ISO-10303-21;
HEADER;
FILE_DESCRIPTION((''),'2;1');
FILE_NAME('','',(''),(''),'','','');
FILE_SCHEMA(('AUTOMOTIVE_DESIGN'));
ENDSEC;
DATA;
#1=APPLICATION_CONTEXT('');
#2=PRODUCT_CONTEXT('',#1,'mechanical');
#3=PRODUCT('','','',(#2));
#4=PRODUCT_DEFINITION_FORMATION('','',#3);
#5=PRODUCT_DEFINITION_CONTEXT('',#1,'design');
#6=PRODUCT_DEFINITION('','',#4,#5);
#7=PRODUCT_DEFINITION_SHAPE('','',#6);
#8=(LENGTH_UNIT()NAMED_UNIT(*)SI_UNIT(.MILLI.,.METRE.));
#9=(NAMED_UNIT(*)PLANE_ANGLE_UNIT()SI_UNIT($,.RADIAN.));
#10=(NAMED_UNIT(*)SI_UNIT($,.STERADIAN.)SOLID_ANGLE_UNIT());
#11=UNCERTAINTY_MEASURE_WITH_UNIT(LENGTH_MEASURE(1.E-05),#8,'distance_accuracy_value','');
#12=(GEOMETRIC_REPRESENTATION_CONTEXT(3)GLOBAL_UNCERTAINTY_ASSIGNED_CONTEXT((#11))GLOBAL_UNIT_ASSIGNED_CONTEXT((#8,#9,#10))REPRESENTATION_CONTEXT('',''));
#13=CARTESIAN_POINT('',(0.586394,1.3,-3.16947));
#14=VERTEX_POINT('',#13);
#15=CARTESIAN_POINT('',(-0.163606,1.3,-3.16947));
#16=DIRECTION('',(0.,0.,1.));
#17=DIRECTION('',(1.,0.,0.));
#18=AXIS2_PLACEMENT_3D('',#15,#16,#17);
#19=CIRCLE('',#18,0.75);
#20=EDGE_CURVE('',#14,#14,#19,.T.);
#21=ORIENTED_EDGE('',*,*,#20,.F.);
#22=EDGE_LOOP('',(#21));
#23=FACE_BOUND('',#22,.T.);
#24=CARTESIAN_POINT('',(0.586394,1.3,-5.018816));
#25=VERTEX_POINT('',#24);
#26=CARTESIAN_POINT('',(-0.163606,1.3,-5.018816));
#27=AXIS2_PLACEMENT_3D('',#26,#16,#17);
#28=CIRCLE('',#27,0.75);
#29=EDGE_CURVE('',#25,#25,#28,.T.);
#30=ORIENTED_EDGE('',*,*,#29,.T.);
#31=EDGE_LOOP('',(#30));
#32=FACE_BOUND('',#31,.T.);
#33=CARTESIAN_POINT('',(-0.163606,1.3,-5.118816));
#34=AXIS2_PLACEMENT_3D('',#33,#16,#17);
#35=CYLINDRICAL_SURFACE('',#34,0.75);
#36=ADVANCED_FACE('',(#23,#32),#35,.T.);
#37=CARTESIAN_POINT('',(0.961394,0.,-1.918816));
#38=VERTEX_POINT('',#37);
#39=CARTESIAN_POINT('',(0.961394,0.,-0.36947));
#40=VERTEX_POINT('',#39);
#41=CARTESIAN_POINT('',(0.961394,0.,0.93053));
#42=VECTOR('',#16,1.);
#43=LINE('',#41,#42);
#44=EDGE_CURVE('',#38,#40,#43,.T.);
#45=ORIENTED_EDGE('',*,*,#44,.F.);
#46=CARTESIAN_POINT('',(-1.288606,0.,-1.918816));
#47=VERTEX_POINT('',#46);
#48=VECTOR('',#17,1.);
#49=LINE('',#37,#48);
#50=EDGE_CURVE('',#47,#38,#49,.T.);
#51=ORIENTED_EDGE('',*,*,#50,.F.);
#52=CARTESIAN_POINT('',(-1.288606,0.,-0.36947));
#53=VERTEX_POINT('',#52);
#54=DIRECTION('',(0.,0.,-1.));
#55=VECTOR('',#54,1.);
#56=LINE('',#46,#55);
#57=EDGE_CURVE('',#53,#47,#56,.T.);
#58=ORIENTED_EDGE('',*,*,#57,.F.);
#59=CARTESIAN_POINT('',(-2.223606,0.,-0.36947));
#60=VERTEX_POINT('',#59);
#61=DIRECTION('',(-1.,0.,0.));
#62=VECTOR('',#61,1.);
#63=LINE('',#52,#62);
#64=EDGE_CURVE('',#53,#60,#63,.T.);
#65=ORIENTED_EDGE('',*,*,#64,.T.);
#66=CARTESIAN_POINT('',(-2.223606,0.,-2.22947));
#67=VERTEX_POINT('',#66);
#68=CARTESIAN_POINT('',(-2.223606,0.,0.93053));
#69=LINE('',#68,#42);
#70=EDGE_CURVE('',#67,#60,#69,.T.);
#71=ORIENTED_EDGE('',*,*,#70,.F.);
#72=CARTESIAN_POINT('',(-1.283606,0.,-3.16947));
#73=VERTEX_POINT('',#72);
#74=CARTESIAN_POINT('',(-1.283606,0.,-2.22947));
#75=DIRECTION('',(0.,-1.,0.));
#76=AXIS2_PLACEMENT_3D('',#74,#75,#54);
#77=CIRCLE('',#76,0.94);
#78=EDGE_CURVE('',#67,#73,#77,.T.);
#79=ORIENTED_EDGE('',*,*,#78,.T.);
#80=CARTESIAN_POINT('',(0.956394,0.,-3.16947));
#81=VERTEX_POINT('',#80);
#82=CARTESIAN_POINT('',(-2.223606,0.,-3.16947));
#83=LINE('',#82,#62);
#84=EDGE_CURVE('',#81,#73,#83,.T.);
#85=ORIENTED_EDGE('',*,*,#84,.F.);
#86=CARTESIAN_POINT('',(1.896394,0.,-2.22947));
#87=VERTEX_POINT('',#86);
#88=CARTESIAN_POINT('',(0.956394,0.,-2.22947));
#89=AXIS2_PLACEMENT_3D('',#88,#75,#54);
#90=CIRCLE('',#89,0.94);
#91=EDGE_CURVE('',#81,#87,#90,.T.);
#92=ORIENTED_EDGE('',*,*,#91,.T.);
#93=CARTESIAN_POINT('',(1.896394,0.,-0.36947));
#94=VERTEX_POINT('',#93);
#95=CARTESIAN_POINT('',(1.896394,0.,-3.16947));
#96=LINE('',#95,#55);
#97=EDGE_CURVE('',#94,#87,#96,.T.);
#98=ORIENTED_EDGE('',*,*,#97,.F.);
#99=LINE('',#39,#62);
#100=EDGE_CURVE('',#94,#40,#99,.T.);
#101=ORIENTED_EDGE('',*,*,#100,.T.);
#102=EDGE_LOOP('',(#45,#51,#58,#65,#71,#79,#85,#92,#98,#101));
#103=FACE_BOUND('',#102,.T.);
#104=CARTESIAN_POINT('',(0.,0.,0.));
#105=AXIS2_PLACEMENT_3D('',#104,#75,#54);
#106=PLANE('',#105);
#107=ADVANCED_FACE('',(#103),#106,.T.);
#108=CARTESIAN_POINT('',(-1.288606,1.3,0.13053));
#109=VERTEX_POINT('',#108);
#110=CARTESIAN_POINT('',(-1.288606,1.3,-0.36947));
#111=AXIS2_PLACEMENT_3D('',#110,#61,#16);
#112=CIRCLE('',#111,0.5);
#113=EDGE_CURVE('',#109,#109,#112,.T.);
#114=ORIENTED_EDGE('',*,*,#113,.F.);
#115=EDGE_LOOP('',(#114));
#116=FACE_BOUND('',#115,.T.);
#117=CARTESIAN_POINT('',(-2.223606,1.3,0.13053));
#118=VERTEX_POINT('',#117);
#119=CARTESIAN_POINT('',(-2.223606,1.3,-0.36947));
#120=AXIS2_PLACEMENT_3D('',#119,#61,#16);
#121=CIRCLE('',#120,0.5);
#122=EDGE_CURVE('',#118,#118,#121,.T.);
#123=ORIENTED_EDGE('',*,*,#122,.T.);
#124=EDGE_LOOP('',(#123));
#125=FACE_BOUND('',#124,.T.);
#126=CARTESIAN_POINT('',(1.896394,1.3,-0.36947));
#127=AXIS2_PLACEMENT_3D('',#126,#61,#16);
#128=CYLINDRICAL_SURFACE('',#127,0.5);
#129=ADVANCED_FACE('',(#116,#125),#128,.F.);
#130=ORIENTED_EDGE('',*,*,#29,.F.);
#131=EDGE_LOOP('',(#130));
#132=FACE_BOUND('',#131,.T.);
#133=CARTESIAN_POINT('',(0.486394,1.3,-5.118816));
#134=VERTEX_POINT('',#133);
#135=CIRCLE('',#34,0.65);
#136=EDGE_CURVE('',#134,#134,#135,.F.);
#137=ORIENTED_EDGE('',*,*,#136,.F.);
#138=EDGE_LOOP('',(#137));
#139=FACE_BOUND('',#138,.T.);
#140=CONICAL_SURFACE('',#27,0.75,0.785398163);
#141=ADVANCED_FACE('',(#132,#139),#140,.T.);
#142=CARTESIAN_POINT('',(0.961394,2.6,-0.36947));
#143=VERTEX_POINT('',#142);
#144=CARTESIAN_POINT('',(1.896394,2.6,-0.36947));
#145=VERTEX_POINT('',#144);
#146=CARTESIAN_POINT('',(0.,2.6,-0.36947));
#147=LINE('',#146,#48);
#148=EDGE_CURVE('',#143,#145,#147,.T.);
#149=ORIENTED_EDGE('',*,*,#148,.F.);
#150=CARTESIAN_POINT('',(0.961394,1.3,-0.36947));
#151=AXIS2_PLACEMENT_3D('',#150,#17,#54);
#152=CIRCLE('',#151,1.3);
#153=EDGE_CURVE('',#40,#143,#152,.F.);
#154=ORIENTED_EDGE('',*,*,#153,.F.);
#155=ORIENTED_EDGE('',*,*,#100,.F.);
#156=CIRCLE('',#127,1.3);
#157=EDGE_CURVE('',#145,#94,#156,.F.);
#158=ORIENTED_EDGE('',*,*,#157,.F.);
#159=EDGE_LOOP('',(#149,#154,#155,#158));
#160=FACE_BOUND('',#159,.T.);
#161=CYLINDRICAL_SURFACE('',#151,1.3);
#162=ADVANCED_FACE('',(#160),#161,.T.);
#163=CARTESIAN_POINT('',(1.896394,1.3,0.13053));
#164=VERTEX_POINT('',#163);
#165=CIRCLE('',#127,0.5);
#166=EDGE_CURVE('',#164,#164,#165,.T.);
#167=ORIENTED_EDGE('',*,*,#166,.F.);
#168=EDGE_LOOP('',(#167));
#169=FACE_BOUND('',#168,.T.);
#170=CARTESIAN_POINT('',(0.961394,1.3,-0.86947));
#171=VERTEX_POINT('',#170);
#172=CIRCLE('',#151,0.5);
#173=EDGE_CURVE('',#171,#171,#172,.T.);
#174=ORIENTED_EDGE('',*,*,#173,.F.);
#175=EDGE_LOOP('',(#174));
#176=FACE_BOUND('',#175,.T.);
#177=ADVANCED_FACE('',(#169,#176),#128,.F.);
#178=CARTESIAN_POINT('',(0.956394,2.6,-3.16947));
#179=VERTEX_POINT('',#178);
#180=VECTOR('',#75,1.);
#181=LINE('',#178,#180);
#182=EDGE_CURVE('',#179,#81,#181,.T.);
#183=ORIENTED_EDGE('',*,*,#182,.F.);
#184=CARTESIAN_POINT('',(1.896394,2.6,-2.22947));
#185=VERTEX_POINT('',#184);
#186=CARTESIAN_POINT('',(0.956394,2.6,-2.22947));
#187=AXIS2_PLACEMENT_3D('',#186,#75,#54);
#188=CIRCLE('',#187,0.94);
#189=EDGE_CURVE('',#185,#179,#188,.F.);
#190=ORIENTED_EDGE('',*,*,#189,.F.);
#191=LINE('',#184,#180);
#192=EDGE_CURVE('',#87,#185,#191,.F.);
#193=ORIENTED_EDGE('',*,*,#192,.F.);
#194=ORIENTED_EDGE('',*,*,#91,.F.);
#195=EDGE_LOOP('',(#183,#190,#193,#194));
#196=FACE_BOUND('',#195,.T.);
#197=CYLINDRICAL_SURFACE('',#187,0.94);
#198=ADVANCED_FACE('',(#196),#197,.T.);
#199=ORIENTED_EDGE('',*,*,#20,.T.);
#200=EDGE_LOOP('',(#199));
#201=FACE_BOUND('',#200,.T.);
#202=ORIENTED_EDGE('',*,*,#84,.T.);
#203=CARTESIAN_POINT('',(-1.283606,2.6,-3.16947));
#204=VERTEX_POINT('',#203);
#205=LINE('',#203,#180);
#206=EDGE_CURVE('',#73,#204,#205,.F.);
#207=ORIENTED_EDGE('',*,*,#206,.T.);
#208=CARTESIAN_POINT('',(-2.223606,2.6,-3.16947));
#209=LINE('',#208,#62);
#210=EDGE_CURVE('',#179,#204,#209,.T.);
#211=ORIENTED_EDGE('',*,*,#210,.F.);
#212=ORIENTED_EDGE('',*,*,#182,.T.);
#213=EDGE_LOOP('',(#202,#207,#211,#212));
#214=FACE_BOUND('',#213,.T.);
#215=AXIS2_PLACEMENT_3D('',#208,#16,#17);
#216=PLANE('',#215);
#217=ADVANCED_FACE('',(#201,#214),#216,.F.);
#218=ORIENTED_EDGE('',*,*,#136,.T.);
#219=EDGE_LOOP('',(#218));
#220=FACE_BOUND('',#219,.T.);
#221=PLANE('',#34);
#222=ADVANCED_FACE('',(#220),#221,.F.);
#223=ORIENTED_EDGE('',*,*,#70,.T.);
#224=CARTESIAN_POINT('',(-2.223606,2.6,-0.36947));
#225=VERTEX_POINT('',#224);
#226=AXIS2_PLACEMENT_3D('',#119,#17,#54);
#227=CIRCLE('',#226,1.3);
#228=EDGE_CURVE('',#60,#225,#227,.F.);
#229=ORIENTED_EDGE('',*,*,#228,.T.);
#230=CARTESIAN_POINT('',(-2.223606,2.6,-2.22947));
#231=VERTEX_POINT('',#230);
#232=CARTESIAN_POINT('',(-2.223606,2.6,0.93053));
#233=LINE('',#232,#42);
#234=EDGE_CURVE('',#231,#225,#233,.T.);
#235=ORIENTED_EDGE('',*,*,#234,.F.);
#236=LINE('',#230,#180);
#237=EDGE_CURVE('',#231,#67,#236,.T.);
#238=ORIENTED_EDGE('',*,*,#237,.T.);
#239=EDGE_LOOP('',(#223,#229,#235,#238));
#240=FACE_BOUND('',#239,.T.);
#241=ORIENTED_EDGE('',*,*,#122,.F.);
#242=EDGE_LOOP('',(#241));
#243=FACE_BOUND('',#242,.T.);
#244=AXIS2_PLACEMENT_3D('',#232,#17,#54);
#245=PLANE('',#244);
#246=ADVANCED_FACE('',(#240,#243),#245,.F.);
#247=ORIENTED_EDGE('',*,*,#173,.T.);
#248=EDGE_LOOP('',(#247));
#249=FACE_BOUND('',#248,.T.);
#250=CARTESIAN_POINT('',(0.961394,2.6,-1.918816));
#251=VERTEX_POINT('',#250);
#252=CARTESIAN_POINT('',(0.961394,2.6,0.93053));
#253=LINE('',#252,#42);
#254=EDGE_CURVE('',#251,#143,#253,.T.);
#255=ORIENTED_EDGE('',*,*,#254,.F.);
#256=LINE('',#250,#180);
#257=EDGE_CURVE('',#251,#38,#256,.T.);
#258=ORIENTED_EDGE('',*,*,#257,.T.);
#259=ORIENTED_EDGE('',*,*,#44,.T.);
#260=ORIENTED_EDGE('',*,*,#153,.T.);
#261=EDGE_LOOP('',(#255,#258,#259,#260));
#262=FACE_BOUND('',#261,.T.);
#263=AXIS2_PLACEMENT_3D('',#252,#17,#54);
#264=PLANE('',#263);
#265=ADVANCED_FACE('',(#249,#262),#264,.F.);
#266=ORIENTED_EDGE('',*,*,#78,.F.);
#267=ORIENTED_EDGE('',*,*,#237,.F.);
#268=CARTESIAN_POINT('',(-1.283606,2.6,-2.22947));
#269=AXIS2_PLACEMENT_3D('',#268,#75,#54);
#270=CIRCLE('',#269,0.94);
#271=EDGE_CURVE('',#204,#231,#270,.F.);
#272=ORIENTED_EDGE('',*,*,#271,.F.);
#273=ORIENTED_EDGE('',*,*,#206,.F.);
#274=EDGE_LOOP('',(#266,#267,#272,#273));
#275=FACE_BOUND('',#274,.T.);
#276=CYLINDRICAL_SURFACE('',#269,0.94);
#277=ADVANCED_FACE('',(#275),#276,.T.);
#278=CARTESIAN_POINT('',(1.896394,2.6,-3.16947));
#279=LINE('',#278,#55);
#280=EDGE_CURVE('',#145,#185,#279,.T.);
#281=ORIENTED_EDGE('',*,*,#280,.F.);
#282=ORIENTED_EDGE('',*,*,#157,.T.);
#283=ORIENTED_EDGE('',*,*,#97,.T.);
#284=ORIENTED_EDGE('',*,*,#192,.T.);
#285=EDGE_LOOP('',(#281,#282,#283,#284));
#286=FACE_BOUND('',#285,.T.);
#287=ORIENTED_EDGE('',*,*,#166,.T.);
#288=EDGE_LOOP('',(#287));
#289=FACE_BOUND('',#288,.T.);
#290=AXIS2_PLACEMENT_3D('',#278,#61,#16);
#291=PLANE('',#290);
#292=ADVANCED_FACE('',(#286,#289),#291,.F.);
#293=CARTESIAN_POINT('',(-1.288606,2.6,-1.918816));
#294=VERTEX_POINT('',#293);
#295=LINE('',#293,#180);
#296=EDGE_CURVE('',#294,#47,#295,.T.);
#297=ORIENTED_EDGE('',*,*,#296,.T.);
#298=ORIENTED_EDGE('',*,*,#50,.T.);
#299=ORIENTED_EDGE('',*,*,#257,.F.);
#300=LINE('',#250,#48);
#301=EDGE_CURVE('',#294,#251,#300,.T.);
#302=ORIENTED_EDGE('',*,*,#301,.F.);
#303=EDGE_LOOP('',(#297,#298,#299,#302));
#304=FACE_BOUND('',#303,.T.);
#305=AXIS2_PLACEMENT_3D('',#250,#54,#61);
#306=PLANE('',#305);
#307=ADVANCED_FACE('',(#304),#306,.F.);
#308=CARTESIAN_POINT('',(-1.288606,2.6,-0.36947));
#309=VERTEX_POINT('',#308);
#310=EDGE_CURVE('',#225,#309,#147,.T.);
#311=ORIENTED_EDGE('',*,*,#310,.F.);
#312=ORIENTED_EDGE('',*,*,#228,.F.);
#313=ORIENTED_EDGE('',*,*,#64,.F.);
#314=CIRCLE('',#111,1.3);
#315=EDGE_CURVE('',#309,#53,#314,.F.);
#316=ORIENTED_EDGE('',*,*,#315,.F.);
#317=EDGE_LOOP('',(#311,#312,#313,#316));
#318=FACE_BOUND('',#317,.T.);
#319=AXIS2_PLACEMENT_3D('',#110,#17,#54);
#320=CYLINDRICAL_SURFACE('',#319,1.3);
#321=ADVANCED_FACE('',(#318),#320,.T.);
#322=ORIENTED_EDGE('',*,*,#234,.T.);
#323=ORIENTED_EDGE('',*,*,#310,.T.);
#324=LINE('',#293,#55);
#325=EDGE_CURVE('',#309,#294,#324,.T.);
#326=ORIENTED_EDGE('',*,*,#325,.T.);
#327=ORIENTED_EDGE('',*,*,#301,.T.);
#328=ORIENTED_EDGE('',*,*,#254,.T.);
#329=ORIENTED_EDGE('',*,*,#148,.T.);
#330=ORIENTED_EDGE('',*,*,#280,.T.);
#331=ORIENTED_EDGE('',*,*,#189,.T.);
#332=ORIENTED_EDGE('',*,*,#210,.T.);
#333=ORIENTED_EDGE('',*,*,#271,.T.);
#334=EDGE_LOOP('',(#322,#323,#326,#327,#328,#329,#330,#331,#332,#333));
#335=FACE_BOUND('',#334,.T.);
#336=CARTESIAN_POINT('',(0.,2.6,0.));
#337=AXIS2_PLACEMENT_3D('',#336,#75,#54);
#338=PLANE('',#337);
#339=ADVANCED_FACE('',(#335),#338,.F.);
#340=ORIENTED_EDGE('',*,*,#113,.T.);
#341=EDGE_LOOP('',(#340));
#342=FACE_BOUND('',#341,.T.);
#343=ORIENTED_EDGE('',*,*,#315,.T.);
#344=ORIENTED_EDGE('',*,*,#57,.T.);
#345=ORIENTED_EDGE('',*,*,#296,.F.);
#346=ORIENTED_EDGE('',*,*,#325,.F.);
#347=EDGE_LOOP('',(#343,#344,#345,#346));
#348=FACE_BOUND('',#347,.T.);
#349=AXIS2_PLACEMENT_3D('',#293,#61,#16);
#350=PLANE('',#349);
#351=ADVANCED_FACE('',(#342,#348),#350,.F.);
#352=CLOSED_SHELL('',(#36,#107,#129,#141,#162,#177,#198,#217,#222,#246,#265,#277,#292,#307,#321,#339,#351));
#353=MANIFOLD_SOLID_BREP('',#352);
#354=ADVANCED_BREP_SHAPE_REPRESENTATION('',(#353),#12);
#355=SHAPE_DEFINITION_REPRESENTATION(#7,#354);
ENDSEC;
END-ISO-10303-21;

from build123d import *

# Parameters (mm, degrees)
SALIENTE_EXTRUIR2_DEPTH = 2.6
REDONDEO1_RADIUS        = 1.3
REDONDEO1_LENGTH        = 0.935
REDONDEO2_RADIUS        = 1.3
REDONDEO2_LENGTH        = 0.935
CROQUIS2_R              = 0.5
CORTAR_EXTRUIR1_DEPTH   = 6.812051501
REDONDEO4_R             = 0.94
CROQUIS3_R              = 0.75
SALIENTE_EXTRUIR3_DEPTH = 3.2
CHAFL_N1_SIZE           = 0.1


with BuildPart() as part:
    # Croquis1 → Saliente-Extruir2 (new body)
    with BuildSketch(Plane(origin=(0, 0, 0), x_dir=(1, 0, 0), z_dir=(0, 1, 0))):
        Polygon((-2.223605772, 3.169470405), (1.896394228, 3.169470405), (1.896394228, -0.930529595), (0.961394228, -0.930529595), (0.961394228, 1.918816199), (-1.288605772, 1.918816199), (-1.288605772, -0.930529595), (-2.223605772, -0.930529595), align=None)
    extrude(amount=SALIENTE_EXTRUIR2_DEPTH)

    # Redondeo1: full round fillet: the end face becomes a half cylinder, R = half its width
    redondeo1_face = Plane((1.428894228, 1.3, 0.930529595), x_dir=(-1, 0, 0), z_dir=(0, 0, 1))  # on the end face: x along it, z out of the body
    redondeo1_slab = redondeo1_face.offset(-REDONDEO1_RADIUS / 2) * Box(REDONDEO1_LENGTH, 2 * REDONDEO1_RADIUS, REDONDEO1_RADIUS, mode=Mode.PRIVATE)  # the body's end, R deep
    redondeo1_round = Plane((1.428894228, 1.3, -0.369470405), x_dir=(0, 0, 1), z_dir=(-1, 0, 0)) * Cylinder(REDONDEO1_RADIUS, REDONDEO1_LENGTH, mode=Mode.PRIVATE)  # its axis R under the face
    add(redondeo1_slab - redondeo1_round, mode=Mode.SUBTRACT)

    # Redondeo2: full round fillet: the end face becomes a half cylinder, R = half its width
    redondeo2_face = Plane((-1.756105772, 1.3, 0.930529595), x_dir=(1, 0, 0), z_dir=(0, 0, 1))  # on the end face: x along it, z out of the body
    redondeo2_slab = redondeo2_face.offset(-REDONDEO2_RADIUS / 2) * Box(REDONDEO2_LENGTH, 2 * REDONDEO2_RADIUS, REDONDEO2_RADIUS, mode=Mode.PRIVATE)  # the body's end, R deep
    redondeo2_round = Plane((-1.756105772, 1.3, -0.369470405), x_dir=(0, 0, 1), z_dir=(1, 0, 0)) * Cylinder(REDONDEO2_RADIUS, REDONDEO2_LENGTH, mode=Mode.PRIVATE)  # its axis R under the face
    add(redondeo2_slab - redondeo2_round, mode=Mode.SUBTRACT)

    # Croquis2 → Cortar-Extruir1 (cut, through all)
    with BuildSketch(Plane.ZY.offset(2.223605772)):
        with Locations((-0.369470405, 1.3)):
            Circle(CROQUIS2_R)
    extrude(amount=-CORTAR_EXTRUIR1_DEPTH, mode=Mode.SUBTRACT)

    # Redondeo4
    redondeo4_edges = [part.edges().sort_by_distance(p)[0] for p in [
        (-2.223605772, 1.3, -3.169470405),
        (1.896394228, 1.3, -3.169470405),
    ]]
    fillet(redondeo4_edges, radius=REDONDEO4_R)

    # Croquis3 → Saliente-Extruir3 (add)
    with BuildSketch(Plane.XY.offset(-1.918816199)):
        with Locations((-0.163605772, 1.3)):
            Circle(CROQUIS3_R)
    extrude(amount=-SALIENTE_EXTRUIR3_DEPTH)

    # Chaflán1
    chafl_n1_edges = [part.edges().sort_by_distance(p)[0] for p in [
        (-0.913605772, 1.3, -5.118816199),
    ]]
    chamfer(chafl_n1_edges, length=CHAFL_N1_SIZE)


solid = part.part
